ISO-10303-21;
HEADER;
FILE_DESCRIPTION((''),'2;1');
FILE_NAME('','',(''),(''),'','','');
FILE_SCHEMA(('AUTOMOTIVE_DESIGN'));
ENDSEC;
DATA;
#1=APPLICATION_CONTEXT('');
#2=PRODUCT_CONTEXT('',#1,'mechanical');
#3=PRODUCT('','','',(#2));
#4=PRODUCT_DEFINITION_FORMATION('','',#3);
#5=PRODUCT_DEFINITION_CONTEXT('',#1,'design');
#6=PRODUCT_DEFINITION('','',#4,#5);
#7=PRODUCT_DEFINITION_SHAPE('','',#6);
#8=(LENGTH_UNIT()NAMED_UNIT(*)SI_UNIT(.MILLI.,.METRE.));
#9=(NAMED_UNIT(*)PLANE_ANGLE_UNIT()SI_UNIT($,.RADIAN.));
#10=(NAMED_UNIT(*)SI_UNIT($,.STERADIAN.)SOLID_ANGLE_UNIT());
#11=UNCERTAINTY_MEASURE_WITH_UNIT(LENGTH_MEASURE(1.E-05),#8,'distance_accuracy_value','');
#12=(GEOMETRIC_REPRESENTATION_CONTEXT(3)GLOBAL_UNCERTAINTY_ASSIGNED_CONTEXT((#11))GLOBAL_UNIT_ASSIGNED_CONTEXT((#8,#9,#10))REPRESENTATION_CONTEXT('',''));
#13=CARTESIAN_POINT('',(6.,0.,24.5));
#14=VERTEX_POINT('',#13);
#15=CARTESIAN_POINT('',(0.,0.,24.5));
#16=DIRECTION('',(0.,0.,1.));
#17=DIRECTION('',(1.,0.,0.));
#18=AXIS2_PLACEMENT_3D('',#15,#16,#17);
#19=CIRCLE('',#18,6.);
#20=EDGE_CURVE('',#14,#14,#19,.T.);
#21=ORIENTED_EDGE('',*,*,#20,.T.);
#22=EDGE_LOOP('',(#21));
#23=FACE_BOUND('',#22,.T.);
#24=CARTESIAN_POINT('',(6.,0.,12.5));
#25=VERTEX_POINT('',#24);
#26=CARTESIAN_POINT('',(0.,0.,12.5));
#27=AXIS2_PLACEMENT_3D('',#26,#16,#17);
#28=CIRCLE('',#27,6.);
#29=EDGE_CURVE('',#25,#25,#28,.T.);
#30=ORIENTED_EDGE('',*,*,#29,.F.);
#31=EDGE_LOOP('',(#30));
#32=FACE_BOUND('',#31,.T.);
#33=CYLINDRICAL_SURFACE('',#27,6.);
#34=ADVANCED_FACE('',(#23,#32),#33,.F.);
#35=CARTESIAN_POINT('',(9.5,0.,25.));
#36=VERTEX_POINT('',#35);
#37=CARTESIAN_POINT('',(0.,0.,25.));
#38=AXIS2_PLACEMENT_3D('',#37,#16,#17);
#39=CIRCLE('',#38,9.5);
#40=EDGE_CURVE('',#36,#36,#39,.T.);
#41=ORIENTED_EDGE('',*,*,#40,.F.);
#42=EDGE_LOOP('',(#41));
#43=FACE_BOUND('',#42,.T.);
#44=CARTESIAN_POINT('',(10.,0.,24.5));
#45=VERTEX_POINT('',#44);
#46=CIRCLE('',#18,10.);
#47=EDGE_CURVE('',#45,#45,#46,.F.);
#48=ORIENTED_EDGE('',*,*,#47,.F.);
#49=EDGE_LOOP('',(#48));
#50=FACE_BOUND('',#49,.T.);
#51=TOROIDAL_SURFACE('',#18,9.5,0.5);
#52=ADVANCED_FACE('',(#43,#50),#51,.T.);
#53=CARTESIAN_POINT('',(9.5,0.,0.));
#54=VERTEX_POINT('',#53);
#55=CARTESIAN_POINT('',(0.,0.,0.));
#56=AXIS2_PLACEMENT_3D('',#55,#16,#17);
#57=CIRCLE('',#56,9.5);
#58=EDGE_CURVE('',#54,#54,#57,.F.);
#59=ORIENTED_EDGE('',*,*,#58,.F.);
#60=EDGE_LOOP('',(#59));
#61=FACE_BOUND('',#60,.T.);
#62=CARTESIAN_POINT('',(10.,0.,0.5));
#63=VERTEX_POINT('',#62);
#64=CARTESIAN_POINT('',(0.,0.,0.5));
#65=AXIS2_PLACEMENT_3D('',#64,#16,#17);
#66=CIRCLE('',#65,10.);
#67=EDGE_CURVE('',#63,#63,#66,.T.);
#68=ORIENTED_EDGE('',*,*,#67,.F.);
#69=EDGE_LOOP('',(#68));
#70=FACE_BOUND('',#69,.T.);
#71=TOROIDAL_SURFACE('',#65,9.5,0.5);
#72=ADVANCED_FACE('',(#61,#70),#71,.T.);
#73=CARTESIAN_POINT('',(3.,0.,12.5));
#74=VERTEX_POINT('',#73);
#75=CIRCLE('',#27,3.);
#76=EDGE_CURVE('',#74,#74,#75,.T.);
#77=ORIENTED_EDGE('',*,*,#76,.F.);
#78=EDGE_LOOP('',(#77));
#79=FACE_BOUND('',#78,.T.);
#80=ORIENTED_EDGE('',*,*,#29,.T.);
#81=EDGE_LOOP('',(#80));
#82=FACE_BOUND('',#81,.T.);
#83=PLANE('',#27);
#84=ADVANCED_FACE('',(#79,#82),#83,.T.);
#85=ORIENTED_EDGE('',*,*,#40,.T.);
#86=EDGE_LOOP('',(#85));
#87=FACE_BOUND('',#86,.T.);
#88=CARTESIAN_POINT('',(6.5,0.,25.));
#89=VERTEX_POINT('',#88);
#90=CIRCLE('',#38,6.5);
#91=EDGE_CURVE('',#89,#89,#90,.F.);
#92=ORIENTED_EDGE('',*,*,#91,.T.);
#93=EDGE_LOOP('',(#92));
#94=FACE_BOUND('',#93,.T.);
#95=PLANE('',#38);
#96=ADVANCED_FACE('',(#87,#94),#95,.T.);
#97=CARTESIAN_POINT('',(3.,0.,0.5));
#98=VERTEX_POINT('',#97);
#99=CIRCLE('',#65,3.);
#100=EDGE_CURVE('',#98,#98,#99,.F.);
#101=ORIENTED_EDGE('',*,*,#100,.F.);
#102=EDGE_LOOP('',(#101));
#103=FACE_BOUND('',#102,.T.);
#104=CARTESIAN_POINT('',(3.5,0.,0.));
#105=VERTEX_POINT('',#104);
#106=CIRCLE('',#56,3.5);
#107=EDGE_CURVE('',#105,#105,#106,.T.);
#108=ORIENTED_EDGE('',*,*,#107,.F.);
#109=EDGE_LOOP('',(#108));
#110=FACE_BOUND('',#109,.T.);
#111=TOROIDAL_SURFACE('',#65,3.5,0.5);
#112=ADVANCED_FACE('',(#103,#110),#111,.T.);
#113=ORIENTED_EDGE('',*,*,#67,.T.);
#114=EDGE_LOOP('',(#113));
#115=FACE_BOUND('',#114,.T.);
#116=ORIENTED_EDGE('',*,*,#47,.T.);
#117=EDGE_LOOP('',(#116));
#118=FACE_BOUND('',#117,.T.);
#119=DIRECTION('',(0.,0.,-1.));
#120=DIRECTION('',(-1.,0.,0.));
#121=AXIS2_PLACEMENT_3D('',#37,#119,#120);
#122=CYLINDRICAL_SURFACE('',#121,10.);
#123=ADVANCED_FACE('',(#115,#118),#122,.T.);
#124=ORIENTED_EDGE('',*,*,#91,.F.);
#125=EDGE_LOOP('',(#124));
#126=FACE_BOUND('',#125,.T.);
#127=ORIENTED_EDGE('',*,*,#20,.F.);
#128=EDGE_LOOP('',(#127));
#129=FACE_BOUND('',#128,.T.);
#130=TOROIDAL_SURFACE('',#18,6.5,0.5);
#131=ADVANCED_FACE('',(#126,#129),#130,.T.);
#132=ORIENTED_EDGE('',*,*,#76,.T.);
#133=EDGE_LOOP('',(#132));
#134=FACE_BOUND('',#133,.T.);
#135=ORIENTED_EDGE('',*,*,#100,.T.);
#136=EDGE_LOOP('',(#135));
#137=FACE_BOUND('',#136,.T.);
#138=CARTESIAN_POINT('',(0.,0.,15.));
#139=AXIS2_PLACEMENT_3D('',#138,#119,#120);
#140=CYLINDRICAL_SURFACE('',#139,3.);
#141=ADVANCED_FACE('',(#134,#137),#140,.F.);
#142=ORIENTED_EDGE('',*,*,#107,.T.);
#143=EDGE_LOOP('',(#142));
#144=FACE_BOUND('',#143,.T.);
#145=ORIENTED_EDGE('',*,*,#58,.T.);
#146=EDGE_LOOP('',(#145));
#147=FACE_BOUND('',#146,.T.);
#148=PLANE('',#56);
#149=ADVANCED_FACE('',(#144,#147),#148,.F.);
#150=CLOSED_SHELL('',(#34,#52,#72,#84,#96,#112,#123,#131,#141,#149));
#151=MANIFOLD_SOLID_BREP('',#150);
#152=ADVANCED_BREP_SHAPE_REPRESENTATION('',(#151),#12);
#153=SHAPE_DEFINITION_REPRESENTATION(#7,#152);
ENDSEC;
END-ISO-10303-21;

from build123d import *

# Parameters (mm, degrees)
SKETCH_1_R          = 10
EXTRUDE_1_DEPTH     = 25
SKETCH_2_R          = 6
CUT_EXTRUDE_1_DEPTH = 12.5
SKETCH_3_R          = 3
CUT_EXTRUDE_2_DEPTH = 15
FILLET_1_R          = 0.5


with BuildPart() as part:
    # 草图1 → 凸台-拉伸1 (new body)
    with BuildSketch(Plane.XY):
        Circle(SKETCH_1_R)
    extrude(amount=EXTRUDE_1_DEPTH)

    # 草图2 → 切除-拉伸1 (cut)
    with BuildSketch(Plane.XY.offset(25)):
        Circle(SKETCH_2_R)
    extrude(amount=-CUT_EXTRUDE_1_DEPTH, mode=Mode.SUBTRACT)

    # 草图3 → 切除-拉伸2 (cut)
    with BuildSketch(Plane(origin=(0, 0, 0), x_dir=(-1, 0, 0), z_dir=(0, 0, -1))):
        Circle(SKETCH_3_R)
    extrude(amount=-CUT_EXTRUDE_2_DEPTH, mode=Mode.SUBTRACT)

    # 圆角1
    fillet_1_edges = [part.edges().sort_by_distance(p)[0] for p in [
        (3, 0, 0),
        (-10, 0, 0),
        (-10, 0, 25),
        (-6, 0, 25),
    ]]
    fillet(fillet_1_edges, radius=FILLET_1_R)


solid = part.part
